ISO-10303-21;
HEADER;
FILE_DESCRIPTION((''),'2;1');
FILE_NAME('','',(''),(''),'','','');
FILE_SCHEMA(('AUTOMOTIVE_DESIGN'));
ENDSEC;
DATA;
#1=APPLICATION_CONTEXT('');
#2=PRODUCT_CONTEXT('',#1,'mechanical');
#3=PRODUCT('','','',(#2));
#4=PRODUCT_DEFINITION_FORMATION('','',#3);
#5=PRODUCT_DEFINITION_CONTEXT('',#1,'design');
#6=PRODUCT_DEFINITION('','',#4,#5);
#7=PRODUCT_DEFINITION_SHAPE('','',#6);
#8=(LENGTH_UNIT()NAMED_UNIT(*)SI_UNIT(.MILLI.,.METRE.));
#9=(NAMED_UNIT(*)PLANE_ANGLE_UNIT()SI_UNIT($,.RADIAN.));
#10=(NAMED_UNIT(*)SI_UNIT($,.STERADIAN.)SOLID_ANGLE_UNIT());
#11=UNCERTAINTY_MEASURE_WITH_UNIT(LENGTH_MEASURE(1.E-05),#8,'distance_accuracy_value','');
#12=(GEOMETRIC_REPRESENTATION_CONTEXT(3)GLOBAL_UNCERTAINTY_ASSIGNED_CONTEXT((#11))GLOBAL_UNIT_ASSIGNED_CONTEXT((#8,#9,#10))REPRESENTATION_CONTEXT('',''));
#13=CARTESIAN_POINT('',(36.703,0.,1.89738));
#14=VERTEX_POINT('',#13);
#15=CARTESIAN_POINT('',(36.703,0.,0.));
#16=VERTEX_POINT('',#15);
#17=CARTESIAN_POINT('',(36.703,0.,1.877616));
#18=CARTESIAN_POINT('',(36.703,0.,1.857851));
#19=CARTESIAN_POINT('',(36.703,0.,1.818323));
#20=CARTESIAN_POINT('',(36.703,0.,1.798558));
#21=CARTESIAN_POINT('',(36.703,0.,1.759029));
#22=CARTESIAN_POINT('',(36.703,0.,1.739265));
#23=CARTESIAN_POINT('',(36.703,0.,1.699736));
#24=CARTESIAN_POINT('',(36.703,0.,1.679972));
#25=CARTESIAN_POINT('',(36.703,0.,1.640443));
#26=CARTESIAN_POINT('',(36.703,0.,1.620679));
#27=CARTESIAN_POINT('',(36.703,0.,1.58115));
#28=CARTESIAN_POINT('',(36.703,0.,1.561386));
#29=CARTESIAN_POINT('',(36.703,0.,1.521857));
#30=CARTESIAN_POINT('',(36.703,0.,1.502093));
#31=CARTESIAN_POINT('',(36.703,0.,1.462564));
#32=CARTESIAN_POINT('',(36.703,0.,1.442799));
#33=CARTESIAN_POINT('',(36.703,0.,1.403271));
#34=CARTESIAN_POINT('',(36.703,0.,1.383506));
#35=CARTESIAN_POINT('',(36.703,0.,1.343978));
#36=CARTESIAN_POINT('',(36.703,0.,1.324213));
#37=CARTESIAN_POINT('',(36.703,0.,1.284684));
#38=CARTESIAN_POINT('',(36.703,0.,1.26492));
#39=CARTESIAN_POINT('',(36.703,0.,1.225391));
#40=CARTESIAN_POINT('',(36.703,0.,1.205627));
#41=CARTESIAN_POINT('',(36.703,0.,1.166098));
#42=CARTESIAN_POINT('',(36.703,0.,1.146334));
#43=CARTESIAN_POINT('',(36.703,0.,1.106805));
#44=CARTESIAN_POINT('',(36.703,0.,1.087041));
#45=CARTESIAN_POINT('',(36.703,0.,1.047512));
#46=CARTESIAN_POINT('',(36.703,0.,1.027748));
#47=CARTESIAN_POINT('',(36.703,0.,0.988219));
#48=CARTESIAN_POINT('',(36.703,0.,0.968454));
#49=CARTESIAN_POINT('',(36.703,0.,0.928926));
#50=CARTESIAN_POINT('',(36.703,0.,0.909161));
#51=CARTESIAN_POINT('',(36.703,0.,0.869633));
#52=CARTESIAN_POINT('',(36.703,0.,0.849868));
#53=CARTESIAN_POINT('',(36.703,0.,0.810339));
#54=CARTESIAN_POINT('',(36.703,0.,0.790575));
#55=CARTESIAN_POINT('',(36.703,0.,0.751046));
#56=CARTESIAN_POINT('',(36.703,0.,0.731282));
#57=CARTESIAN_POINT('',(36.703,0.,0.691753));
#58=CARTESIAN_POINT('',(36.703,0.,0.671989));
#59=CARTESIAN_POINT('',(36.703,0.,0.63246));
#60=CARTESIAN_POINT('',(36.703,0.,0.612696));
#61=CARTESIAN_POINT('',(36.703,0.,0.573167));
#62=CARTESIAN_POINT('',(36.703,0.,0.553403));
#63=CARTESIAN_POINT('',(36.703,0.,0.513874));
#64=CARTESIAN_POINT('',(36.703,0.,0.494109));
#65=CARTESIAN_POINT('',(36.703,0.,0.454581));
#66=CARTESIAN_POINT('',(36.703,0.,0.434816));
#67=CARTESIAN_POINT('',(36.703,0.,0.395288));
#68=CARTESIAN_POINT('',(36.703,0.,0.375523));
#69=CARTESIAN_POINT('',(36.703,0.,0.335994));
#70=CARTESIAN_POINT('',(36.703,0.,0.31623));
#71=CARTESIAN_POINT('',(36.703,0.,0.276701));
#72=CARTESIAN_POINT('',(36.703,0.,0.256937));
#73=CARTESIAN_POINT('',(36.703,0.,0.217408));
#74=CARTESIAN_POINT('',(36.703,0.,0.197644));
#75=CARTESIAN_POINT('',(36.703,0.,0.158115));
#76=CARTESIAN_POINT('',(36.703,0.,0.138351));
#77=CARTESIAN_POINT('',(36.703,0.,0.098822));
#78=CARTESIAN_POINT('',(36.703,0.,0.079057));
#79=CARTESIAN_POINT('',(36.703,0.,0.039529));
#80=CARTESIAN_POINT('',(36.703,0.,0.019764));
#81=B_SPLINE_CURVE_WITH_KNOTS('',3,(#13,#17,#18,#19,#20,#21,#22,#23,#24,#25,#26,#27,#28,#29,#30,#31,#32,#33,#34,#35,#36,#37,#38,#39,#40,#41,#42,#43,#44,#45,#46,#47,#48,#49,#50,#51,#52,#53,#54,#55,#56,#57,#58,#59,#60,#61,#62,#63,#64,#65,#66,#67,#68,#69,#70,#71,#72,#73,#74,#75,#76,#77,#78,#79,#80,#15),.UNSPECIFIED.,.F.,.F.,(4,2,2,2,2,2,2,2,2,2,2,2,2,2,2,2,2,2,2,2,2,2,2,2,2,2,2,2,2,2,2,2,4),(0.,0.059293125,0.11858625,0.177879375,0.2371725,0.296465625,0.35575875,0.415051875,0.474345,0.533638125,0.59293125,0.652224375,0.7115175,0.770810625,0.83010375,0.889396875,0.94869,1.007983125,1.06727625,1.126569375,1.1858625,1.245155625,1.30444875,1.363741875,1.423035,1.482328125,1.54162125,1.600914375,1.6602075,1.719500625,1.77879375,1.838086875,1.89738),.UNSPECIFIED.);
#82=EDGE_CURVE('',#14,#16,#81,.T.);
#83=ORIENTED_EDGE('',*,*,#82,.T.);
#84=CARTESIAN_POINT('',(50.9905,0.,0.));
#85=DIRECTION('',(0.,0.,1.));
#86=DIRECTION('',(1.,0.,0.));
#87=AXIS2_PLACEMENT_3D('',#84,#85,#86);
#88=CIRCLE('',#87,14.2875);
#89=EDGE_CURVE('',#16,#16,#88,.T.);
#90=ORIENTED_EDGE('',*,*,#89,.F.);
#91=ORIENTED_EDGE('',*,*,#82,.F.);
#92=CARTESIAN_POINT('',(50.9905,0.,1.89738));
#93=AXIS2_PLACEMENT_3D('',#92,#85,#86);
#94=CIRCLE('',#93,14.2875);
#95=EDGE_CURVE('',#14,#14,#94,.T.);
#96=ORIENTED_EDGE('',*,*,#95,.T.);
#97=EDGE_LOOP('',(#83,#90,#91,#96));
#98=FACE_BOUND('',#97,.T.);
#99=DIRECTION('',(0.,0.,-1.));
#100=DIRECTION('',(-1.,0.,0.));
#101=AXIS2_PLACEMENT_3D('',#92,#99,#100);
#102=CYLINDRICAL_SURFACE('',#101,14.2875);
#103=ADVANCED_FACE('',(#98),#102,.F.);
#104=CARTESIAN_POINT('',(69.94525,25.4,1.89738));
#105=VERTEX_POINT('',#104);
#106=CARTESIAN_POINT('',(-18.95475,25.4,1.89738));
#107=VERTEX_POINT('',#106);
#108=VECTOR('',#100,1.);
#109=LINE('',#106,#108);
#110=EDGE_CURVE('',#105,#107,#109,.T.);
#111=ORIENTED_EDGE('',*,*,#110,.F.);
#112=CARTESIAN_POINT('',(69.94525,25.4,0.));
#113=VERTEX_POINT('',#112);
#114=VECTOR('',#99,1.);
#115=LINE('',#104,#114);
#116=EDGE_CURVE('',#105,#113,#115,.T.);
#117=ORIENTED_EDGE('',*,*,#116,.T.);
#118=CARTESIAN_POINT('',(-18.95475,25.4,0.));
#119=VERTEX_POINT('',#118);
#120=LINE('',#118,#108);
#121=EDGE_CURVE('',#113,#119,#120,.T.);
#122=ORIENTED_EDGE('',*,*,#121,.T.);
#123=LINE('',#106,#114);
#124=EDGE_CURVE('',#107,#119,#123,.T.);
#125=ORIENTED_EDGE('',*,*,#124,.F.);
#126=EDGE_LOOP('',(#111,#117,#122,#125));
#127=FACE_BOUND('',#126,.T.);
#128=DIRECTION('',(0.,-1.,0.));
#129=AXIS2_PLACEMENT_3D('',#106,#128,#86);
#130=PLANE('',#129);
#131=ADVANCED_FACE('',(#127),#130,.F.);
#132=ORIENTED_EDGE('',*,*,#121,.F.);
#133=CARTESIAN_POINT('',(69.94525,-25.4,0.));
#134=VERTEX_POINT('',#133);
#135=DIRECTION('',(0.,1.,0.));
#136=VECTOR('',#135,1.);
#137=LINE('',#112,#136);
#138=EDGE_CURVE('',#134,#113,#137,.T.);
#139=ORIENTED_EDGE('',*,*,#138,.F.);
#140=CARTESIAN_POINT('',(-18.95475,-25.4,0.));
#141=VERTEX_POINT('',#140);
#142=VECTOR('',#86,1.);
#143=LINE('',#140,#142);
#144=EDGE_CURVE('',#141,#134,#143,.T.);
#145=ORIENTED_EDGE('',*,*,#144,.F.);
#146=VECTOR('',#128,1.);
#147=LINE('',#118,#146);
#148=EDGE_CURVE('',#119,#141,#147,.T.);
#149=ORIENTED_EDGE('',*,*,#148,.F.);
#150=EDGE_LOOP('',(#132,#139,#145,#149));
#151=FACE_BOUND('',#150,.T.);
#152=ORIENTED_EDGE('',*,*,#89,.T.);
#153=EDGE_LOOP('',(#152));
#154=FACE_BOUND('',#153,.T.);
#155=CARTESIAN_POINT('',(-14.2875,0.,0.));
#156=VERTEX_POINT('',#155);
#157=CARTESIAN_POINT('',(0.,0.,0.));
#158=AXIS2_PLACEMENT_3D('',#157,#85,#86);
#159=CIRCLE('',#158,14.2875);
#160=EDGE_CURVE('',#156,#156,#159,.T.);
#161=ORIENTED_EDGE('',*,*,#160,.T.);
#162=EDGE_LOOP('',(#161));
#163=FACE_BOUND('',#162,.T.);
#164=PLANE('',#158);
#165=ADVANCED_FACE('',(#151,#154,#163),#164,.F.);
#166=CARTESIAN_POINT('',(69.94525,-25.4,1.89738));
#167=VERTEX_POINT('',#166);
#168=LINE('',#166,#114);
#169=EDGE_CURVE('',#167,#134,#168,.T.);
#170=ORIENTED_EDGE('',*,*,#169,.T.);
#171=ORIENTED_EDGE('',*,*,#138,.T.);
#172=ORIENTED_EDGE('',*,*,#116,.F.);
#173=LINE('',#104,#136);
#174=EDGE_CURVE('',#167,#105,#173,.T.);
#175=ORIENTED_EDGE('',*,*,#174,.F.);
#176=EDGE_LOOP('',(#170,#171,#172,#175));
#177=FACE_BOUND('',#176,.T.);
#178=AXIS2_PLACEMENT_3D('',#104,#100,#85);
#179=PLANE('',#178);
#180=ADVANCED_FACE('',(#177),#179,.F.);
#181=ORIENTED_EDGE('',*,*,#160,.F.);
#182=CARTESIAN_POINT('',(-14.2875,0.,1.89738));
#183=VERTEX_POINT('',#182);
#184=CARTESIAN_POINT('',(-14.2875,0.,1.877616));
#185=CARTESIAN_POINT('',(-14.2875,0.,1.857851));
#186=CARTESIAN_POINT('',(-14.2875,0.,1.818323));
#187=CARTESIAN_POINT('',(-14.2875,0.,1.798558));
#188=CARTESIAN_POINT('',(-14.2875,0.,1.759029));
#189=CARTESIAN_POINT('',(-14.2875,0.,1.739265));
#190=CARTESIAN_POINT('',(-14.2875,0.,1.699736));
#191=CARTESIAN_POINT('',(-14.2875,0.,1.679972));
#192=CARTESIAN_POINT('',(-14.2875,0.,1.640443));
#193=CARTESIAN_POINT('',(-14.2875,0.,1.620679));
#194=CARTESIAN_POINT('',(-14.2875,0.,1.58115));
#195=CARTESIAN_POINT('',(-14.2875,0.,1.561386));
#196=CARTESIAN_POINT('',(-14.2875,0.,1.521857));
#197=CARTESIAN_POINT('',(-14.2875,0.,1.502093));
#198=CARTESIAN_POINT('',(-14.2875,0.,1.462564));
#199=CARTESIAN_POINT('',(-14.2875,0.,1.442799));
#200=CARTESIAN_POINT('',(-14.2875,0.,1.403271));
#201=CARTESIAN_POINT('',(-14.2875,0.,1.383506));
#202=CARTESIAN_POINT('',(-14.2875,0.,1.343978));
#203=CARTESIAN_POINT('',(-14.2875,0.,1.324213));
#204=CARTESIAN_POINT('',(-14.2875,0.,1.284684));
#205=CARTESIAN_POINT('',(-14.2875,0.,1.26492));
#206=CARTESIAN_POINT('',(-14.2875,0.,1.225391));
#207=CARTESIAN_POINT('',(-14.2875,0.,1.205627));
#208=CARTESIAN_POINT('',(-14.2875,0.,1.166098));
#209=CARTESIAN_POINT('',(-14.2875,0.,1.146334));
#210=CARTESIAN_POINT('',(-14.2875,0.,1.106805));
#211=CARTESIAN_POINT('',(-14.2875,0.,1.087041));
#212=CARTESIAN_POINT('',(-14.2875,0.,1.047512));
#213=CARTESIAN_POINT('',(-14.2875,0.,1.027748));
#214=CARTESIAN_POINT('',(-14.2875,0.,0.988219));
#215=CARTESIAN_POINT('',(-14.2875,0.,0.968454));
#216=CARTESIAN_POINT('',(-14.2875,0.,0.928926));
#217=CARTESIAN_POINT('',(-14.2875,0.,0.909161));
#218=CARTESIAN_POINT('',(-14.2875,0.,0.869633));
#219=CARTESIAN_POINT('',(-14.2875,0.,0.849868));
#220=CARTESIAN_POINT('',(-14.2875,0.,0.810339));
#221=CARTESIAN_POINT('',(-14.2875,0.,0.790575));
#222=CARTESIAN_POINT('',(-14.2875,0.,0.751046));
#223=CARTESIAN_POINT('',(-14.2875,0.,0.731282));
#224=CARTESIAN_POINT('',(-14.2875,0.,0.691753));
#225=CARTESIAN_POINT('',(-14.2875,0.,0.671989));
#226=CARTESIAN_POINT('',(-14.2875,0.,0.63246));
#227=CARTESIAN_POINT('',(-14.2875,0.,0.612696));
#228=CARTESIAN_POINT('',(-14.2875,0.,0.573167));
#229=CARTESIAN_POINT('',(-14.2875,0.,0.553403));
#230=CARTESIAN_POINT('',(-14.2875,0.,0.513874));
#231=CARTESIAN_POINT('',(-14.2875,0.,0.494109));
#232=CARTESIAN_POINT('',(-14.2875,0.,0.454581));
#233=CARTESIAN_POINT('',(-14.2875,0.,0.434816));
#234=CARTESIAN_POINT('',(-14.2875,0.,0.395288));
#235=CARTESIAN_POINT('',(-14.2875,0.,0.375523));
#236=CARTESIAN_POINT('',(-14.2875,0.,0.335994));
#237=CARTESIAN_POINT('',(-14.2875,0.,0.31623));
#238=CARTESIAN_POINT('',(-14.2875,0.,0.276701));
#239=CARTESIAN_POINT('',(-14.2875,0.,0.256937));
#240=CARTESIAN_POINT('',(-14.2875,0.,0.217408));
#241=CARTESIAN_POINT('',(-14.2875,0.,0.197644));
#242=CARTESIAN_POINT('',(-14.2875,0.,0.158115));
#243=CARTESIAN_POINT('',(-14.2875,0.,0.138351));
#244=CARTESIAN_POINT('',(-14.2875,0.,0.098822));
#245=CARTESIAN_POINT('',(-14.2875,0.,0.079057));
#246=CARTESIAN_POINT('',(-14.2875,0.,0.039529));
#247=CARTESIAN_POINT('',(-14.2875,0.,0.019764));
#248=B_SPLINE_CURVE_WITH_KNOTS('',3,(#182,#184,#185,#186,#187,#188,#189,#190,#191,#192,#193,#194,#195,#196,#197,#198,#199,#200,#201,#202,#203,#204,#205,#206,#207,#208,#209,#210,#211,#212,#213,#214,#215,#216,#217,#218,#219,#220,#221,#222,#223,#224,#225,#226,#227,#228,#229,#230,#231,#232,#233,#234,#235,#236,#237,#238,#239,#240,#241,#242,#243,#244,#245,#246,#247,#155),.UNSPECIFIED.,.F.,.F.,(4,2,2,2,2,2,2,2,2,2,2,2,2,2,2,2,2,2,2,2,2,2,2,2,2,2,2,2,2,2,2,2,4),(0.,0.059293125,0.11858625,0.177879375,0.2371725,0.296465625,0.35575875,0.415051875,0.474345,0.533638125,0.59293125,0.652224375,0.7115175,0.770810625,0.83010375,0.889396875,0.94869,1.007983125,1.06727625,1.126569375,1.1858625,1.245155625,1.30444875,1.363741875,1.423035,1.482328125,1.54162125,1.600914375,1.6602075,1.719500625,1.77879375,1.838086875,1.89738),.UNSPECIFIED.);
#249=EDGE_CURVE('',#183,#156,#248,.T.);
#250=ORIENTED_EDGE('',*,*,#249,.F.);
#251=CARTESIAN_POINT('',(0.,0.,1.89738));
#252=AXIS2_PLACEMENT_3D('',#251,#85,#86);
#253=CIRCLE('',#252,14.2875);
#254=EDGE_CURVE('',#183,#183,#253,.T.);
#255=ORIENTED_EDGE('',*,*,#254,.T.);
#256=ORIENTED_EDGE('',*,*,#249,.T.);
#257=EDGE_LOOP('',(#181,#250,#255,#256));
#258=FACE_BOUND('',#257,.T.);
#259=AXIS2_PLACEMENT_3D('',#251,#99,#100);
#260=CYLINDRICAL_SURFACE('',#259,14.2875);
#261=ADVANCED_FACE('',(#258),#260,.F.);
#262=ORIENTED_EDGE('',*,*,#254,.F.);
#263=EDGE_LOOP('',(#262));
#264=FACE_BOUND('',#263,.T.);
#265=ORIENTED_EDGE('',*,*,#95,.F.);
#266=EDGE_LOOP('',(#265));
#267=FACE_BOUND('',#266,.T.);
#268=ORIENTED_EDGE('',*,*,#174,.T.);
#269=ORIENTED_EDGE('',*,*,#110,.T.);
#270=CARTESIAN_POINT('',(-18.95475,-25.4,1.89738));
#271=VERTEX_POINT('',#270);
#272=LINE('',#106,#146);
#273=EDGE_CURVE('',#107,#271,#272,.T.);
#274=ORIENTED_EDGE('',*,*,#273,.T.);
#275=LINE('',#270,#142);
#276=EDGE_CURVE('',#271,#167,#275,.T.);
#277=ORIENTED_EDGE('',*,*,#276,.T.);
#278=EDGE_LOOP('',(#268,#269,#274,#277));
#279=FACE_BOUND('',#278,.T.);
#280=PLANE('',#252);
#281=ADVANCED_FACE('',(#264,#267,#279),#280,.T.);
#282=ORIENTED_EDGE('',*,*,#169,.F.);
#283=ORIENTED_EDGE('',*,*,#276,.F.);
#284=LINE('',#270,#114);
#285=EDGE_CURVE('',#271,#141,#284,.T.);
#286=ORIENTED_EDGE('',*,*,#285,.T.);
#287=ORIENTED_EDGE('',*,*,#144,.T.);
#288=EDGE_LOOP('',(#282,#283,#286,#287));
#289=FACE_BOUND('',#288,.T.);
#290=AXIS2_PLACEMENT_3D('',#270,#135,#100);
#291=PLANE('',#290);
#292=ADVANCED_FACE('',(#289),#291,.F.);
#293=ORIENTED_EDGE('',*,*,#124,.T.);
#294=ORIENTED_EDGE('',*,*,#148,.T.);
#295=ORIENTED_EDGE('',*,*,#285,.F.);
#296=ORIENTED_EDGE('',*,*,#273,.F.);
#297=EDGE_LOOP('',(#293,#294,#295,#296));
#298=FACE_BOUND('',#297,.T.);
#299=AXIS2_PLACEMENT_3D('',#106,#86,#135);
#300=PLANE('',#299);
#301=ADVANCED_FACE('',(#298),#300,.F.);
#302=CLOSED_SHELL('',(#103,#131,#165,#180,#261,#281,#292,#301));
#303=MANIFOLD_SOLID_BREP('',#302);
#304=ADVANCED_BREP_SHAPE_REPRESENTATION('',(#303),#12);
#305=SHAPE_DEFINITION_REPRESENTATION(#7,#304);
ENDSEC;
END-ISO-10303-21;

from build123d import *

# Parameters (mm, degrees)
SKETCH1_W           = 88.9
SKETCH1_H           = 50.8
SKETCH1_R           = 14.2875
BOSS_EXTRUDE1_DEPTH = 1.89738


with BuildPart() as part:
    # Sketch1 → Boss-Extrude1 (new body)
    with BuildSketch(Plane.XY):
        with Locations((25.49525, 0)):
            Rectangle(SKETCH1_W, SKETCH1_H)
        with Locations(Location((0, 0, 0), (0, 0, 180))):
            Circle(SKETCH1_R, mode=Mode.SUBTRACT)
        with Locations(Location((50.9905, 0, 0), (0, 0, 180))):
            Circle(SKETCH1_R, mode=Mode.SUBTRACT)
    extrude(amount=BOSS_EXTRUDE1_DEPTH)


solid = part.part
